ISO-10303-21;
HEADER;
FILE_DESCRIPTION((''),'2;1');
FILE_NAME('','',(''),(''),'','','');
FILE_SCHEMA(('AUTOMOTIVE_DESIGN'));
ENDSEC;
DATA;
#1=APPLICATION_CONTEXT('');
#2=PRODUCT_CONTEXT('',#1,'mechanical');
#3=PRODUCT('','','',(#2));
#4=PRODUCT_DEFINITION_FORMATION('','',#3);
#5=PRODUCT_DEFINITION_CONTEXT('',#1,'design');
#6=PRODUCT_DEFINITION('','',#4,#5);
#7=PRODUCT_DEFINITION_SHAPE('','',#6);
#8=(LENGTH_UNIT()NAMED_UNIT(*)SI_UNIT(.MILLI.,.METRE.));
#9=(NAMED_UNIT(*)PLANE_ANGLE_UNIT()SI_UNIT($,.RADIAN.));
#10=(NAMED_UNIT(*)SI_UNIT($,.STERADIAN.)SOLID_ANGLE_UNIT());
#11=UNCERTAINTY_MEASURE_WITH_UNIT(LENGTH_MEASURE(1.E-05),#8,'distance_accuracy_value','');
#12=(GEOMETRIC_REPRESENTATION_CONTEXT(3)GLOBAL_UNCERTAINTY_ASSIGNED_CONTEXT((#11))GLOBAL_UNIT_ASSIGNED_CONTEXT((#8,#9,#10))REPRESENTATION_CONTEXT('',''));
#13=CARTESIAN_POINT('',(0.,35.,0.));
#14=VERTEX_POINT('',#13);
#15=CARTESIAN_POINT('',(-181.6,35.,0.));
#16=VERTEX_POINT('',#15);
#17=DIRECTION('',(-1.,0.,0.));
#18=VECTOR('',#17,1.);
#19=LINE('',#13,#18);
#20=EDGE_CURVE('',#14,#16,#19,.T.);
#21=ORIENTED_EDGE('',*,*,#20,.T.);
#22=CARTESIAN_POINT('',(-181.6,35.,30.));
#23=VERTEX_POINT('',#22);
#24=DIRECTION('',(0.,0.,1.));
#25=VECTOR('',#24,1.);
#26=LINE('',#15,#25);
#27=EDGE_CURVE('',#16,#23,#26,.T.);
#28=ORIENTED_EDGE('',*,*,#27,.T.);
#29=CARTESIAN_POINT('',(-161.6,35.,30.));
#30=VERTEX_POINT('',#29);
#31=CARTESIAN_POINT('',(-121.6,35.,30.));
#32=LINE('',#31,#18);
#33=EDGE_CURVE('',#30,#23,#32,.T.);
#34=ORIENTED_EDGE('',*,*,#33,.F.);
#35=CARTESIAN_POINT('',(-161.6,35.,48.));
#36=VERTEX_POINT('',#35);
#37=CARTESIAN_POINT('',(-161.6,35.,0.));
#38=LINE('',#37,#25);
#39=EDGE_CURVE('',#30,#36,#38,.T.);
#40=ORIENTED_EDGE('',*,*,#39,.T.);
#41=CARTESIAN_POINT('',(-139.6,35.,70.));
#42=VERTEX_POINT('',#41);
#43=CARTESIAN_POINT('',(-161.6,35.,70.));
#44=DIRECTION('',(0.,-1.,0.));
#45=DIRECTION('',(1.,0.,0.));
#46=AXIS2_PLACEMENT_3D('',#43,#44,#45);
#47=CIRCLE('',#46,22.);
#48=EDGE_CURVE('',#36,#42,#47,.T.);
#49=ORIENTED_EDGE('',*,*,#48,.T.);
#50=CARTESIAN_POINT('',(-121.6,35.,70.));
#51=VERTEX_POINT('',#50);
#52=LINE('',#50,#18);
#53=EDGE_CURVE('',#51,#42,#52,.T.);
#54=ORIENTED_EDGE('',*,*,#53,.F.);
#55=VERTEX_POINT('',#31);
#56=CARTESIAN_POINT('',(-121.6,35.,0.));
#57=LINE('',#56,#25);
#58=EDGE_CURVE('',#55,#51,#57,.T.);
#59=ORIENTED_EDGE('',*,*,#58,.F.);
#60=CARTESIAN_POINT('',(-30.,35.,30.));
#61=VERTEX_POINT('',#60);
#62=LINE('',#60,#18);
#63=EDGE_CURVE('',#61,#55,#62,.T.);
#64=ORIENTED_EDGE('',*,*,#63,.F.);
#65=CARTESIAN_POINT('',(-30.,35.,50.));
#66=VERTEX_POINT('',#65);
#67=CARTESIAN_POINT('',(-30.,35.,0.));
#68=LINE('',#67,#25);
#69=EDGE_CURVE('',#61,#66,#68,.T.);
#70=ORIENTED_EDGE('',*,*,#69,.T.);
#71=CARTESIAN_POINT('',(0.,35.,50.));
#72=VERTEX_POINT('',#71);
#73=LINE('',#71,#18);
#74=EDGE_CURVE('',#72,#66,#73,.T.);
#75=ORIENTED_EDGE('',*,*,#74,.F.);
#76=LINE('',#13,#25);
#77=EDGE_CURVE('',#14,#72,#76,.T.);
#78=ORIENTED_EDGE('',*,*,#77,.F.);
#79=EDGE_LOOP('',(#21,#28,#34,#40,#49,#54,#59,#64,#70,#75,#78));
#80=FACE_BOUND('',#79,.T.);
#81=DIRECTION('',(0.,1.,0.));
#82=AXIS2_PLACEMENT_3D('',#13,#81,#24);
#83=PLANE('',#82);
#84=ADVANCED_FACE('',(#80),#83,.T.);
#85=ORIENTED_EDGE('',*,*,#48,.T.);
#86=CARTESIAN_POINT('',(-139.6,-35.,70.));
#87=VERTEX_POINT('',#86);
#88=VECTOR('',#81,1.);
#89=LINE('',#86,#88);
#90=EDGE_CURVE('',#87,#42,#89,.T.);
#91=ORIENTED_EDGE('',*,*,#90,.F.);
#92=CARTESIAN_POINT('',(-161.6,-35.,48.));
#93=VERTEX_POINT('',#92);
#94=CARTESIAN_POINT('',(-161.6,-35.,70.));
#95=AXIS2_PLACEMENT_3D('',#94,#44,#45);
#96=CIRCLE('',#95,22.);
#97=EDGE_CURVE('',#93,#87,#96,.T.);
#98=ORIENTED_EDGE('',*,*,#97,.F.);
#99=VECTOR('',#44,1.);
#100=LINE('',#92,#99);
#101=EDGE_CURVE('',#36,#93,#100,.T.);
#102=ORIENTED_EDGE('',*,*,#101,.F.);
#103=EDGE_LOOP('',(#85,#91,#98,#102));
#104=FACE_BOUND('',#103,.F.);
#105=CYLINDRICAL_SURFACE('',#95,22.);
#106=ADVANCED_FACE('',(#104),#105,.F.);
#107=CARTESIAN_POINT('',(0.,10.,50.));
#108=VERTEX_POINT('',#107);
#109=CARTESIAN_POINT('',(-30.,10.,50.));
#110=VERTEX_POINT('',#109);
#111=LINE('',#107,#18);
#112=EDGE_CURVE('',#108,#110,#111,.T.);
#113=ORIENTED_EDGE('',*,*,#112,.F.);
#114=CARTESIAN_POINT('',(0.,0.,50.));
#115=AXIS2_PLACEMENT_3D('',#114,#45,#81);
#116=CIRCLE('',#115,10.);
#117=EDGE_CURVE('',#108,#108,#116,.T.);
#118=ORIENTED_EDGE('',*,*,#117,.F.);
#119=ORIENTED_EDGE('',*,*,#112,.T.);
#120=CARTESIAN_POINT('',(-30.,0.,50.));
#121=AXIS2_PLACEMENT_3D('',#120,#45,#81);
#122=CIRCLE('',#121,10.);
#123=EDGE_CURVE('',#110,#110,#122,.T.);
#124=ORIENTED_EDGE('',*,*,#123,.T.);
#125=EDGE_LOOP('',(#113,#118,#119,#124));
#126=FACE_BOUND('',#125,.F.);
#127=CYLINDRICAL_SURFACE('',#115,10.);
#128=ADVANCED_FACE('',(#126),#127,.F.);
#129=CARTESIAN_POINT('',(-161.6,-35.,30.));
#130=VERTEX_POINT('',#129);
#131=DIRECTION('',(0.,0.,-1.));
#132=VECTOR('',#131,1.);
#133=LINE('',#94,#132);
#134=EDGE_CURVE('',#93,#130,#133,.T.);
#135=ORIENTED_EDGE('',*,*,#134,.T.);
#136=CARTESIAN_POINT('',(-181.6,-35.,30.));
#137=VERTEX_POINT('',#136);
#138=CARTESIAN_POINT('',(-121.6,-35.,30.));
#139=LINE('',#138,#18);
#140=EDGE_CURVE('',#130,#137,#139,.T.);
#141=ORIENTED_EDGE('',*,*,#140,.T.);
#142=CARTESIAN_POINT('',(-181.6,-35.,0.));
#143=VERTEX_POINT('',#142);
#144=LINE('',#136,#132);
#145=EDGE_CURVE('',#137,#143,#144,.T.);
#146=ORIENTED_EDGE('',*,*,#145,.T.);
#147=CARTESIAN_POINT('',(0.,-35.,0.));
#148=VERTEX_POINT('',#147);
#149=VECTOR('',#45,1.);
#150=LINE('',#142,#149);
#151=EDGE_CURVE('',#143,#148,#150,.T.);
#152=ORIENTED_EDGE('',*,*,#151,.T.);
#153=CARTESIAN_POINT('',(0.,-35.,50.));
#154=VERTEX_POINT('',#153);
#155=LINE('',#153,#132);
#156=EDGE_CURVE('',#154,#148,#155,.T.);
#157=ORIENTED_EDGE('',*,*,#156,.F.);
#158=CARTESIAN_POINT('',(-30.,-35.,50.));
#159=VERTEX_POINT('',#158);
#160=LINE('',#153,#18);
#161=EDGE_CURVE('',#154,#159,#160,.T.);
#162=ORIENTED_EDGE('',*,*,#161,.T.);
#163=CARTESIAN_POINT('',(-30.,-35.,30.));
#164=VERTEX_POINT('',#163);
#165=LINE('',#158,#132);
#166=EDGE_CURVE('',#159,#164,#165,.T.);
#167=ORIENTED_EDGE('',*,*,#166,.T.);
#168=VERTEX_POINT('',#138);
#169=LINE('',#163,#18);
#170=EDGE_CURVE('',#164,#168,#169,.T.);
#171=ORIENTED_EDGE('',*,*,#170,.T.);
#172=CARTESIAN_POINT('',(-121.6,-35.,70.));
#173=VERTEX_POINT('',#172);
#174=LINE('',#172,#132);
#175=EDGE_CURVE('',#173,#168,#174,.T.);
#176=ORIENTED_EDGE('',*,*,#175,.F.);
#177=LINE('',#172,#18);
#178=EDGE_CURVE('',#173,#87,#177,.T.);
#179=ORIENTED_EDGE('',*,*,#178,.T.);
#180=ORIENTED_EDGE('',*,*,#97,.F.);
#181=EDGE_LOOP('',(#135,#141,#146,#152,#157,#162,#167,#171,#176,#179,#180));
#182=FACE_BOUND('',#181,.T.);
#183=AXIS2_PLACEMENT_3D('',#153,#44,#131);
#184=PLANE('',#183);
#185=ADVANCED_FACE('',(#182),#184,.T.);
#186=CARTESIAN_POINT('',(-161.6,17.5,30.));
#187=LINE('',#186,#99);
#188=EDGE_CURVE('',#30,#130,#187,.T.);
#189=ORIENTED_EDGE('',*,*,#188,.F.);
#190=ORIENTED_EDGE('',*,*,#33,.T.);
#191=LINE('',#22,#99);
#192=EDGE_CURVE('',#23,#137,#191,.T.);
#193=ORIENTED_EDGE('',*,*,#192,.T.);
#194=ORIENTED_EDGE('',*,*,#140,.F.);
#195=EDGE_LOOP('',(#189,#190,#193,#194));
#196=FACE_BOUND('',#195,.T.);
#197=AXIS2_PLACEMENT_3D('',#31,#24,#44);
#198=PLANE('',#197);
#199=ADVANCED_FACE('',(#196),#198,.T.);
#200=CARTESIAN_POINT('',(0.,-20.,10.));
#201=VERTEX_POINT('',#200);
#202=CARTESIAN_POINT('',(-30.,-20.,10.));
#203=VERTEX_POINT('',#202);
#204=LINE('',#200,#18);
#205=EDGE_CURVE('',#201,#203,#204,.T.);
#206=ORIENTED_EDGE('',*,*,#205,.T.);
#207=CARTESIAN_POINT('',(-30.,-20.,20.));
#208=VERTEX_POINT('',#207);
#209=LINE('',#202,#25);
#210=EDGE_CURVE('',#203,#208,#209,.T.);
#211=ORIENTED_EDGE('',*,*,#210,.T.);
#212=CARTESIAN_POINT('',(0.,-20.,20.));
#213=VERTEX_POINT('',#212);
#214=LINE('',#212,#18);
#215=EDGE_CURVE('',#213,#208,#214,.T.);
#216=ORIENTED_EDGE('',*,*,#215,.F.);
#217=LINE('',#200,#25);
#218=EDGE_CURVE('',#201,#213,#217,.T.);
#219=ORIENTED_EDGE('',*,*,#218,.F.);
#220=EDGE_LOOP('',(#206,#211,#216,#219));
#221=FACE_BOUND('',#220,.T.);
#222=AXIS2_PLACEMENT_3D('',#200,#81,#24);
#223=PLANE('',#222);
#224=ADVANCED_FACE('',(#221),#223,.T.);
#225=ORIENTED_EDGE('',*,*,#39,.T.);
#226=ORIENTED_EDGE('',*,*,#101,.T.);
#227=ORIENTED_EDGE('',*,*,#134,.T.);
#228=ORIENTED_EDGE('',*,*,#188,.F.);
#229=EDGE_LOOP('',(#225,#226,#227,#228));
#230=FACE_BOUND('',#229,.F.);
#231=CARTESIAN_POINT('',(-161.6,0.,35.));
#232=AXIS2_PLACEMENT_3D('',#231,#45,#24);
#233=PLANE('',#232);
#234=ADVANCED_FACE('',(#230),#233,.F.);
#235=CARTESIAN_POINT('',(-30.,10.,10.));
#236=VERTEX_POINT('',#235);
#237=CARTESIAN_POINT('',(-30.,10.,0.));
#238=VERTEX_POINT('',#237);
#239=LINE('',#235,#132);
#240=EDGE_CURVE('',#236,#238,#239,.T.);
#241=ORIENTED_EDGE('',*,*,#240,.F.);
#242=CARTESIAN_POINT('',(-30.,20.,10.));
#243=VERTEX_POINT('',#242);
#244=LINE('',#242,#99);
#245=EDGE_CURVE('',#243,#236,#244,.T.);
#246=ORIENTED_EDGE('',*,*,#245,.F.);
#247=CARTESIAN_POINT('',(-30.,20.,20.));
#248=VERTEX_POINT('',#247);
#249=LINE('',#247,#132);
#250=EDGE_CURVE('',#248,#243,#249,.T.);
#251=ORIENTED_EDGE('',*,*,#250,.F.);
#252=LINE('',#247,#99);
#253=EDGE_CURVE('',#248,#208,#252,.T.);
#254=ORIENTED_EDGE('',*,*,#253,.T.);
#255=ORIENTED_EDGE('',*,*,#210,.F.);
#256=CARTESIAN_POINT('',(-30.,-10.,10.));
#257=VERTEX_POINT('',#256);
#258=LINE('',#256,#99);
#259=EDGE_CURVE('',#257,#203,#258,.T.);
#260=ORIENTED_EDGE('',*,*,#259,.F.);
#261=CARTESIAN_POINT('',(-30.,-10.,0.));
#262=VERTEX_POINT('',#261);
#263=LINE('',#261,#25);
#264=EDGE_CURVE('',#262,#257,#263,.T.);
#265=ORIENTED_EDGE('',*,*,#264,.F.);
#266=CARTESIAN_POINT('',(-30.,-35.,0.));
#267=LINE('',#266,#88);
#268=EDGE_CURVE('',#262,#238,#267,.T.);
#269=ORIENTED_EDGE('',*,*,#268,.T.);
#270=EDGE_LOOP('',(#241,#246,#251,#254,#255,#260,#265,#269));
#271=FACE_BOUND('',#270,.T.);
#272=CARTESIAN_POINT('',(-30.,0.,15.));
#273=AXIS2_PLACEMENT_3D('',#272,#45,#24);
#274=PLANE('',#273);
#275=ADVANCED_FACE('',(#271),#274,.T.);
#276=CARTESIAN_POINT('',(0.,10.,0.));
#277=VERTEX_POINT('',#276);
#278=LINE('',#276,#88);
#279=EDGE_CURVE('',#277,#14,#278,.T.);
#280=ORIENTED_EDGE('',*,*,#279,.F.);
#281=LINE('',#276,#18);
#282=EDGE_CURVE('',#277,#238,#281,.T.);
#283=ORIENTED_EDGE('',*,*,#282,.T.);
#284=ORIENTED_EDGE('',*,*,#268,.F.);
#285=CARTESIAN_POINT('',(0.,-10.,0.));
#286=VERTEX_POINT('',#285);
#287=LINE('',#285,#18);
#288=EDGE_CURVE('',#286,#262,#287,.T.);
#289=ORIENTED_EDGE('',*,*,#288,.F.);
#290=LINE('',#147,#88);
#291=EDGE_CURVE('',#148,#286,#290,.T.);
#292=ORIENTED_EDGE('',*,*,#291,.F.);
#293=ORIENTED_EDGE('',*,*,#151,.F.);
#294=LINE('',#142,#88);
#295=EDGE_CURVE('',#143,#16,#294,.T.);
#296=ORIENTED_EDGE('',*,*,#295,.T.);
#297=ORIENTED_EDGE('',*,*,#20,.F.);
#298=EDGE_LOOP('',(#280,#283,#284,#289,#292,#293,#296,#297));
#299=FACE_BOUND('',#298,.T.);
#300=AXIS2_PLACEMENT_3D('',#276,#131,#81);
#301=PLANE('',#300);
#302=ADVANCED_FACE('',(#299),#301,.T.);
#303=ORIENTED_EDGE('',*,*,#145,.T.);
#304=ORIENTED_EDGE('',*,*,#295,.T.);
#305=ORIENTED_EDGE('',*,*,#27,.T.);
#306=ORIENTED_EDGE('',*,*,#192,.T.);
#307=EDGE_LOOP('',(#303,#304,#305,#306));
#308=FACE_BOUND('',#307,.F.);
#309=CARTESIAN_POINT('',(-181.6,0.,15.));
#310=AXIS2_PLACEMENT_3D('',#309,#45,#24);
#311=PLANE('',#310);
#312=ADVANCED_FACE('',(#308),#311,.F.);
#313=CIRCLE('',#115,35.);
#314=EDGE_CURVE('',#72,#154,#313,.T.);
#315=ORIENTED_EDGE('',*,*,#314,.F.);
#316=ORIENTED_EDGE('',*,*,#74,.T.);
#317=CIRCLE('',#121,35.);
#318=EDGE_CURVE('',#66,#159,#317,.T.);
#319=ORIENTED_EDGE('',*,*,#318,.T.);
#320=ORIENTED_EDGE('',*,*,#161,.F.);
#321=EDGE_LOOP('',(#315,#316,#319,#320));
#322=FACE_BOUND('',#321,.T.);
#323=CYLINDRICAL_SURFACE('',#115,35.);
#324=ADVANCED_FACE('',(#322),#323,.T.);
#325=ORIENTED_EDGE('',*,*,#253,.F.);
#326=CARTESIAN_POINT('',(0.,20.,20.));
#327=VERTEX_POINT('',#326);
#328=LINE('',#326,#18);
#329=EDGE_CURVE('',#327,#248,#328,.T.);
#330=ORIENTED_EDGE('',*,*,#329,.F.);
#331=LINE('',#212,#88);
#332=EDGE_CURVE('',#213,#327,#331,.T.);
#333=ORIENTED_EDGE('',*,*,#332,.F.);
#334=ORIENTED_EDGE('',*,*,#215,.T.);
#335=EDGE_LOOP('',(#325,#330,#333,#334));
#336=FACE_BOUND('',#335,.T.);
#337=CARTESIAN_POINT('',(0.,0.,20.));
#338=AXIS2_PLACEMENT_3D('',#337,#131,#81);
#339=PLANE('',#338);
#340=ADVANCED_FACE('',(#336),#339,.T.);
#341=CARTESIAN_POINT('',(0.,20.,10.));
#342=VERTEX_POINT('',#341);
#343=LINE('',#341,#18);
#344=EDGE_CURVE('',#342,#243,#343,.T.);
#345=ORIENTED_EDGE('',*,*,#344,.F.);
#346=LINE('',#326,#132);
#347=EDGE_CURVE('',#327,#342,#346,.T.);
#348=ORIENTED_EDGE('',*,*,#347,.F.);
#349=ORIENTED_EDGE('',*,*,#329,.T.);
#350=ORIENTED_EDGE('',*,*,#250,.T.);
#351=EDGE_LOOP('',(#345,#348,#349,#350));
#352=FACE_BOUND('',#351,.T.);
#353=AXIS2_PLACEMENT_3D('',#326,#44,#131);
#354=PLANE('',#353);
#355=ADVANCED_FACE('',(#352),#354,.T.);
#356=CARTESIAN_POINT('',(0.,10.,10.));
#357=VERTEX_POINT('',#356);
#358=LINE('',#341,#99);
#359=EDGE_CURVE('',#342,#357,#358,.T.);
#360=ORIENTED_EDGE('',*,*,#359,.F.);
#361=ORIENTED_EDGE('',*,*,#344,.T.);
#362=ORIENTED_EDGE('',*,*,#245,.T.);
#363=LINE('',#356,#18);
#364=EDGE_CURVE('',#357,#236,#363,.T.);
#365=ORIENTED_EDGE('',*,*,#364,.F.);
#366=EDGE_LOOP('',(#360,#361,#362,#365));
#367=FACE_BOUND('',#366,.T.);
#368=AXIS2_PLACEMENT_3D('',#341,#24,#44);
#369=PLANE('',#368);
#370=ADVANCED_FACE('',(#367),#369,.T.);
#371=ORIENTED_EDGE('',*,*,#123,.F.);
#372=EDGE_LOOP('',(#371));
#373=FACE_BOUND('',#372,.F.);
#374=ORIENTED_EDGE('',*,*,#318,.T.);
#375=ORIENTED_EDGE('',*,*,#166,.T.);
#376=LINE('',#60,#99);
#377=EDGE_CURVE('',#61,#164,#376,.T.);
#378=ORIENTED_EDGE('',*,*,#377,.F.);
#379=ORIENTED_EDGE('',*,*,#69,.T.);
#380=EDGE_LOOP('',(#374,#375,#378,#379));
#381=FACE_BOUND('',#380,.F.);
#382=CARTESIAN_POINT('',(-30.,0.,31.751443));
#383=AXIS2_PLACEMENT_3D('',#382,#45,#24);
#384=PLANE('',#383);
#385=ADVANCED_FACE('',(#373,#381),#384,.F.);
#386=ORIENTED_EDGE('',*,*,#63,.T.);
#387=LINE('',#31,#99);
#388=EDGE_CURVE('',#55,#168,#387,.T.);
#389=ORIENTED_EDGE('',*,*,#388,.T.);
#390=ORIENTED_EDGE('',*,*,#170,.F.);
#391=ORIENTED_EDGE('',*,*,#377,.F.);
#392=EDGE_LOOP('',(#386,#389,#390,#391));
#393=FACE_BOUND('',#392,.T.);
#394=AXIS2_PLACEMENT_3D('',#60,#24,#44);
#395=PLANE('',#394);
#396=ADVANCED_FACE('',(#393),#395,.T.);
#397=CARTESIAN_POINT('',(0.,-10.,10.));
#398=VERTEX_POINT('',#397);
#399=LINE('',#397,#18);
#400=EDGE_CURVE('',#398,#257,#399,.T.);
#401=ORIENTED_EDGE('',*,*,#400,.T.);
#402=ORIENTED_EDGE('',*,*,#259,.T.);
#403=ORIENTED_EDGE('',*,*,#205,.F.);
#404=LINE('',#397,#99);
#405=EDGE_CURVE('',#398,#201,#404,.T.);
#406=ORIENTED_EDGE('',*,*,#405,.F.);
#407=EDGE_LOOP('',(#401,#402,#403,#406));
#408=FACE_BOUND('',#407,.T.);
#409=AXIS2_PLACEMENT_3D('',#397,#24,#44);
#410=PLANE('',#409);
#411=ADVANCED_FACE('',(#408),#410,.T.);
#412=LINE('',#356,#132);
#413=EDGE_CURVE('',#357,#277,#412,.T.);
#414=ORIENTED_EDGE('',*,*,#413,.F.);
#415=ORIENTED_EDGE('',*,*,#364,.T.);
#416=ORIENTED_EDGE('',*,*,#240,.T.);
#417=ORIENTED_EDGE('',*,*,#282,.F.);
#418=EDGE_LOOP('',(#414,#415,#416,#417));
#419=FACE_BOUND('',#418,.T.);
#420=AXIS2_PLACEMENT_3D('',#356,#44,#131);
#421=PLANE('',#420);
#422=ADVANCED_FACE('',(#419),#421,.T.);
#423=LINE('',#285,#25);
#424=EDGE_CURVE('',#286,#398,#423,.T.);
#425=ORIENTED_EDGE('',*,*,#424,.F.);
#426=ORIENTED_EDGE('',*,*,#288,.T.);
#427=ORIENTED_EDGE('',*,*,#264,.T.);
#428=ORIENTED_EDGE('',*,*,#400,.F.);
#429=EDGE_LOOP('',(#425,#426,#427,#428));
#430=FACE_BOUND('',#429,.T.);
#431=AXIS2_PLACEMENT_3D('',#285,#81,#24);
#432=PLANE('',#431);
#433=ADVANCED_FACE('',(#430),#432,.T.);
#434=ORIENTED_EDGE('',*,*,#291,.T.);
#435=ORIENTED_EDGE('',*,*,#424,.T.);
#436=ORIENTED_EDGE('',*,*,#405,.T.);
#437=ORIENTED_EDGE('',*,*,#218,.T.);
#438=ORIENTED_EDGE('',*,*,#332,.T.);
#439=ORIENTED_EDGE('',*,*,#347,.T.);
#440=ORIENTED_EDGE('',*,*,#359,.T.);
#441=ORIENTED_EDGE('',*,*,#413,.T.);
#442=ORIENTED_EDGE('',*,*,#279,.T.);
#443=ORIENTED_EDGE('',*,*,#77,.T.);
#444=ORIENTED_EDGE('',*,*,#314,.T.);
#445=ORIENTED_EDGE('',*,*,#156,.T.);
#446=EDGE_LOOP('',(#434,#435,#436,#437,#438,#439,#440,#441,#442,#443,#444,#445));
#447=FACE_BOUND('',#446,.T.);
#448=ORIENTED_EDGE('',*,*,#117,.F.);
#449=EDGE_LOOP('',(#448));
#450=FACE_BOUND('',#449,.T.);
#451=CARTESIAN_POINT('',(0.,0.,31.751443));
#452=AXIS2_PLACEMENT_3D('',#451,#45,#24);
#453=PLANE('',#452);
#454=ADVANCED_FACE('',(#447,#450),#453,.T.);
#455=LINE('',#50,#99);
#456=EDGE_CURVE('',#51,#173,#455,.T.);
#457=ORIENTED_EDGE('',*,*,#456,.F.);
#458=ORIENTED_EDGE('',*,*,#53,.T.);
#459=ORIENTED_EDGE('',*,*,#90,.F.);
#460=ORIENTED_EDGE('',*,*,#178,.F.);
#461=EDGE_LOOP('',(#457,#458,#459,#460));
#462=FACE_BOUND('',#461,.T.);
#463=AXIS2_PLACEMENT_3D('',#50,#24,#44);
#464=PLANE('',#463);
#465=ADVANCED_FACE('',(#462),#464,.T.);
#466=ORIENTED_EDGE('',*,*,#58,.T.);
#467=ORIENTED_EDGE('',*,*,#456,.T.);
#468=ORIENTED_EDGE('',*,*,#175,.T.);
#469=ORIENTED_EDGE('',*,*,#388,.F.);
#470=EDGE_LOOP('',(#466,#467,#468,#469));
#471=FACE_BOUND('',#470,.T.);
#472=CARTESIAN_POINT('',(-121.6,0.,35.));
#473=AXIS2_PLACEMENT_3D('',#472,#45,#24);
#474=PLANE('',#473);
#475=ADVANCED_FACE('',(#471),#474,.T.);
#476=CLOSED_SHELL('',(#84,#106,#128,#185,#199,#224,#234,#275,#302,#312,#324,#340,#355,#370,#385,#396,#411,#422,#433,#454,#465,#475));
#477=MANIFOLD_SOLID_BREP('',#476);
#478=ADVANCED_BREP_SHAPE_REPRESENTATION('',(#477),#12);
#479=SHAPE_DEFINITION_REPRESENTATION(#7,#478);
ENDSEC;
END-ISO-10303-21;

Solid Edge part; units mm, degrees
sketch "Sketch1" plane through (0, 0, 0) normal (1, 0, 0) x (0, 1, 0)
  arc A0 (35, 50) -> (-35, 50) centre (0, 50) ccw
  line L0 (-35, 50) -> (-35, 0)
  line L1 (-35, 0) -> (-10, 0)
  line L2 (-10, 0) -> (-10, 10)
  line L3 (-10, 10) -> (-20, 10)
  line L4 (-20, 10) -> (-20, 20)
  line L5 (-20, 20) -> (0, 20)
  line L6 (0, 20) -> (20, 20)
  line L7 (20, 20) -> (20, 10)
  line L8 (20, 10) -> (10, 10)
  line L9 (10, 10) -> (10, 0)
  line L10 (10, 0) -> (35, 0)
  line L11 (35, 0) -> (35, 50)
extrude "Protrusion1" add sketch "Sketch1" against normal blind 30
sketch "Sketch2" plane through (0, 0, 0) normal (1, 0, 0) x (0, 1, 0)
  circle A0 centre (0, 50) radius 10
extrude "ExtrudedCutout_1" cut sketch "Sketch2" against normal blind 30
sketch "Sketch3" plane through (-30, 0, 42.5) normal (1, 0, 0) x (0, 1, 0)
  line L0 (35, -12.5) -> (-35, -12.5)
  line L1 (-35, -12.5) -> (-35, -42.5)
  line L2 (-35, -42.5) -> (35, -42.5)
  line L3 (35, -42.5) -> (35, -12.5)
extrude "ExtrudedProtrusion_2" add sketch "Sketch3" against normal blind 91.6
sketch "Sketch4" plane through (-121.6, 0, 42.5) normal (1, 0, 0) x (0, 1, 0)
  line L0 (35, 27.5) -> (-35, 27.5)
  line L1 (-35, 27.5) -> (-35, -42.5)
  line L2 (-35, -42.5) -> (35, -42.5)
  line L3 (35, -42.5) -> (35, 27.5)
extrude "ExtrudedProtrusion_3" add sketch "Sketch4" against normal blind 40
sketch "Sketch5" plane through (-80.8, -35, 35) normal (0, -1, 0) x (1, 0, 0)
  circle A0 centre (-80.8, 35) radius 22
extrude "ExtrudedCutout_2" cut sketch "Sketch5" against normal blind 100
sketch "Sketch6" plane through (-121.6, 0, 42.5) normal (1, 0, 0) x (0, 1, 0)
  line L0 (35, -12.5) -> (-35, -12.5)
  line L1 (-35, -12.5) -> (-35, -42.5)
  line L2 (-35, -42.5) -> (35, -42.5)
  line L3 (35, -42.5) -> (35, -12.5)
extrude "ExtrudedProtrusion_4" add sketch "Sketch6" against normal blind 60
